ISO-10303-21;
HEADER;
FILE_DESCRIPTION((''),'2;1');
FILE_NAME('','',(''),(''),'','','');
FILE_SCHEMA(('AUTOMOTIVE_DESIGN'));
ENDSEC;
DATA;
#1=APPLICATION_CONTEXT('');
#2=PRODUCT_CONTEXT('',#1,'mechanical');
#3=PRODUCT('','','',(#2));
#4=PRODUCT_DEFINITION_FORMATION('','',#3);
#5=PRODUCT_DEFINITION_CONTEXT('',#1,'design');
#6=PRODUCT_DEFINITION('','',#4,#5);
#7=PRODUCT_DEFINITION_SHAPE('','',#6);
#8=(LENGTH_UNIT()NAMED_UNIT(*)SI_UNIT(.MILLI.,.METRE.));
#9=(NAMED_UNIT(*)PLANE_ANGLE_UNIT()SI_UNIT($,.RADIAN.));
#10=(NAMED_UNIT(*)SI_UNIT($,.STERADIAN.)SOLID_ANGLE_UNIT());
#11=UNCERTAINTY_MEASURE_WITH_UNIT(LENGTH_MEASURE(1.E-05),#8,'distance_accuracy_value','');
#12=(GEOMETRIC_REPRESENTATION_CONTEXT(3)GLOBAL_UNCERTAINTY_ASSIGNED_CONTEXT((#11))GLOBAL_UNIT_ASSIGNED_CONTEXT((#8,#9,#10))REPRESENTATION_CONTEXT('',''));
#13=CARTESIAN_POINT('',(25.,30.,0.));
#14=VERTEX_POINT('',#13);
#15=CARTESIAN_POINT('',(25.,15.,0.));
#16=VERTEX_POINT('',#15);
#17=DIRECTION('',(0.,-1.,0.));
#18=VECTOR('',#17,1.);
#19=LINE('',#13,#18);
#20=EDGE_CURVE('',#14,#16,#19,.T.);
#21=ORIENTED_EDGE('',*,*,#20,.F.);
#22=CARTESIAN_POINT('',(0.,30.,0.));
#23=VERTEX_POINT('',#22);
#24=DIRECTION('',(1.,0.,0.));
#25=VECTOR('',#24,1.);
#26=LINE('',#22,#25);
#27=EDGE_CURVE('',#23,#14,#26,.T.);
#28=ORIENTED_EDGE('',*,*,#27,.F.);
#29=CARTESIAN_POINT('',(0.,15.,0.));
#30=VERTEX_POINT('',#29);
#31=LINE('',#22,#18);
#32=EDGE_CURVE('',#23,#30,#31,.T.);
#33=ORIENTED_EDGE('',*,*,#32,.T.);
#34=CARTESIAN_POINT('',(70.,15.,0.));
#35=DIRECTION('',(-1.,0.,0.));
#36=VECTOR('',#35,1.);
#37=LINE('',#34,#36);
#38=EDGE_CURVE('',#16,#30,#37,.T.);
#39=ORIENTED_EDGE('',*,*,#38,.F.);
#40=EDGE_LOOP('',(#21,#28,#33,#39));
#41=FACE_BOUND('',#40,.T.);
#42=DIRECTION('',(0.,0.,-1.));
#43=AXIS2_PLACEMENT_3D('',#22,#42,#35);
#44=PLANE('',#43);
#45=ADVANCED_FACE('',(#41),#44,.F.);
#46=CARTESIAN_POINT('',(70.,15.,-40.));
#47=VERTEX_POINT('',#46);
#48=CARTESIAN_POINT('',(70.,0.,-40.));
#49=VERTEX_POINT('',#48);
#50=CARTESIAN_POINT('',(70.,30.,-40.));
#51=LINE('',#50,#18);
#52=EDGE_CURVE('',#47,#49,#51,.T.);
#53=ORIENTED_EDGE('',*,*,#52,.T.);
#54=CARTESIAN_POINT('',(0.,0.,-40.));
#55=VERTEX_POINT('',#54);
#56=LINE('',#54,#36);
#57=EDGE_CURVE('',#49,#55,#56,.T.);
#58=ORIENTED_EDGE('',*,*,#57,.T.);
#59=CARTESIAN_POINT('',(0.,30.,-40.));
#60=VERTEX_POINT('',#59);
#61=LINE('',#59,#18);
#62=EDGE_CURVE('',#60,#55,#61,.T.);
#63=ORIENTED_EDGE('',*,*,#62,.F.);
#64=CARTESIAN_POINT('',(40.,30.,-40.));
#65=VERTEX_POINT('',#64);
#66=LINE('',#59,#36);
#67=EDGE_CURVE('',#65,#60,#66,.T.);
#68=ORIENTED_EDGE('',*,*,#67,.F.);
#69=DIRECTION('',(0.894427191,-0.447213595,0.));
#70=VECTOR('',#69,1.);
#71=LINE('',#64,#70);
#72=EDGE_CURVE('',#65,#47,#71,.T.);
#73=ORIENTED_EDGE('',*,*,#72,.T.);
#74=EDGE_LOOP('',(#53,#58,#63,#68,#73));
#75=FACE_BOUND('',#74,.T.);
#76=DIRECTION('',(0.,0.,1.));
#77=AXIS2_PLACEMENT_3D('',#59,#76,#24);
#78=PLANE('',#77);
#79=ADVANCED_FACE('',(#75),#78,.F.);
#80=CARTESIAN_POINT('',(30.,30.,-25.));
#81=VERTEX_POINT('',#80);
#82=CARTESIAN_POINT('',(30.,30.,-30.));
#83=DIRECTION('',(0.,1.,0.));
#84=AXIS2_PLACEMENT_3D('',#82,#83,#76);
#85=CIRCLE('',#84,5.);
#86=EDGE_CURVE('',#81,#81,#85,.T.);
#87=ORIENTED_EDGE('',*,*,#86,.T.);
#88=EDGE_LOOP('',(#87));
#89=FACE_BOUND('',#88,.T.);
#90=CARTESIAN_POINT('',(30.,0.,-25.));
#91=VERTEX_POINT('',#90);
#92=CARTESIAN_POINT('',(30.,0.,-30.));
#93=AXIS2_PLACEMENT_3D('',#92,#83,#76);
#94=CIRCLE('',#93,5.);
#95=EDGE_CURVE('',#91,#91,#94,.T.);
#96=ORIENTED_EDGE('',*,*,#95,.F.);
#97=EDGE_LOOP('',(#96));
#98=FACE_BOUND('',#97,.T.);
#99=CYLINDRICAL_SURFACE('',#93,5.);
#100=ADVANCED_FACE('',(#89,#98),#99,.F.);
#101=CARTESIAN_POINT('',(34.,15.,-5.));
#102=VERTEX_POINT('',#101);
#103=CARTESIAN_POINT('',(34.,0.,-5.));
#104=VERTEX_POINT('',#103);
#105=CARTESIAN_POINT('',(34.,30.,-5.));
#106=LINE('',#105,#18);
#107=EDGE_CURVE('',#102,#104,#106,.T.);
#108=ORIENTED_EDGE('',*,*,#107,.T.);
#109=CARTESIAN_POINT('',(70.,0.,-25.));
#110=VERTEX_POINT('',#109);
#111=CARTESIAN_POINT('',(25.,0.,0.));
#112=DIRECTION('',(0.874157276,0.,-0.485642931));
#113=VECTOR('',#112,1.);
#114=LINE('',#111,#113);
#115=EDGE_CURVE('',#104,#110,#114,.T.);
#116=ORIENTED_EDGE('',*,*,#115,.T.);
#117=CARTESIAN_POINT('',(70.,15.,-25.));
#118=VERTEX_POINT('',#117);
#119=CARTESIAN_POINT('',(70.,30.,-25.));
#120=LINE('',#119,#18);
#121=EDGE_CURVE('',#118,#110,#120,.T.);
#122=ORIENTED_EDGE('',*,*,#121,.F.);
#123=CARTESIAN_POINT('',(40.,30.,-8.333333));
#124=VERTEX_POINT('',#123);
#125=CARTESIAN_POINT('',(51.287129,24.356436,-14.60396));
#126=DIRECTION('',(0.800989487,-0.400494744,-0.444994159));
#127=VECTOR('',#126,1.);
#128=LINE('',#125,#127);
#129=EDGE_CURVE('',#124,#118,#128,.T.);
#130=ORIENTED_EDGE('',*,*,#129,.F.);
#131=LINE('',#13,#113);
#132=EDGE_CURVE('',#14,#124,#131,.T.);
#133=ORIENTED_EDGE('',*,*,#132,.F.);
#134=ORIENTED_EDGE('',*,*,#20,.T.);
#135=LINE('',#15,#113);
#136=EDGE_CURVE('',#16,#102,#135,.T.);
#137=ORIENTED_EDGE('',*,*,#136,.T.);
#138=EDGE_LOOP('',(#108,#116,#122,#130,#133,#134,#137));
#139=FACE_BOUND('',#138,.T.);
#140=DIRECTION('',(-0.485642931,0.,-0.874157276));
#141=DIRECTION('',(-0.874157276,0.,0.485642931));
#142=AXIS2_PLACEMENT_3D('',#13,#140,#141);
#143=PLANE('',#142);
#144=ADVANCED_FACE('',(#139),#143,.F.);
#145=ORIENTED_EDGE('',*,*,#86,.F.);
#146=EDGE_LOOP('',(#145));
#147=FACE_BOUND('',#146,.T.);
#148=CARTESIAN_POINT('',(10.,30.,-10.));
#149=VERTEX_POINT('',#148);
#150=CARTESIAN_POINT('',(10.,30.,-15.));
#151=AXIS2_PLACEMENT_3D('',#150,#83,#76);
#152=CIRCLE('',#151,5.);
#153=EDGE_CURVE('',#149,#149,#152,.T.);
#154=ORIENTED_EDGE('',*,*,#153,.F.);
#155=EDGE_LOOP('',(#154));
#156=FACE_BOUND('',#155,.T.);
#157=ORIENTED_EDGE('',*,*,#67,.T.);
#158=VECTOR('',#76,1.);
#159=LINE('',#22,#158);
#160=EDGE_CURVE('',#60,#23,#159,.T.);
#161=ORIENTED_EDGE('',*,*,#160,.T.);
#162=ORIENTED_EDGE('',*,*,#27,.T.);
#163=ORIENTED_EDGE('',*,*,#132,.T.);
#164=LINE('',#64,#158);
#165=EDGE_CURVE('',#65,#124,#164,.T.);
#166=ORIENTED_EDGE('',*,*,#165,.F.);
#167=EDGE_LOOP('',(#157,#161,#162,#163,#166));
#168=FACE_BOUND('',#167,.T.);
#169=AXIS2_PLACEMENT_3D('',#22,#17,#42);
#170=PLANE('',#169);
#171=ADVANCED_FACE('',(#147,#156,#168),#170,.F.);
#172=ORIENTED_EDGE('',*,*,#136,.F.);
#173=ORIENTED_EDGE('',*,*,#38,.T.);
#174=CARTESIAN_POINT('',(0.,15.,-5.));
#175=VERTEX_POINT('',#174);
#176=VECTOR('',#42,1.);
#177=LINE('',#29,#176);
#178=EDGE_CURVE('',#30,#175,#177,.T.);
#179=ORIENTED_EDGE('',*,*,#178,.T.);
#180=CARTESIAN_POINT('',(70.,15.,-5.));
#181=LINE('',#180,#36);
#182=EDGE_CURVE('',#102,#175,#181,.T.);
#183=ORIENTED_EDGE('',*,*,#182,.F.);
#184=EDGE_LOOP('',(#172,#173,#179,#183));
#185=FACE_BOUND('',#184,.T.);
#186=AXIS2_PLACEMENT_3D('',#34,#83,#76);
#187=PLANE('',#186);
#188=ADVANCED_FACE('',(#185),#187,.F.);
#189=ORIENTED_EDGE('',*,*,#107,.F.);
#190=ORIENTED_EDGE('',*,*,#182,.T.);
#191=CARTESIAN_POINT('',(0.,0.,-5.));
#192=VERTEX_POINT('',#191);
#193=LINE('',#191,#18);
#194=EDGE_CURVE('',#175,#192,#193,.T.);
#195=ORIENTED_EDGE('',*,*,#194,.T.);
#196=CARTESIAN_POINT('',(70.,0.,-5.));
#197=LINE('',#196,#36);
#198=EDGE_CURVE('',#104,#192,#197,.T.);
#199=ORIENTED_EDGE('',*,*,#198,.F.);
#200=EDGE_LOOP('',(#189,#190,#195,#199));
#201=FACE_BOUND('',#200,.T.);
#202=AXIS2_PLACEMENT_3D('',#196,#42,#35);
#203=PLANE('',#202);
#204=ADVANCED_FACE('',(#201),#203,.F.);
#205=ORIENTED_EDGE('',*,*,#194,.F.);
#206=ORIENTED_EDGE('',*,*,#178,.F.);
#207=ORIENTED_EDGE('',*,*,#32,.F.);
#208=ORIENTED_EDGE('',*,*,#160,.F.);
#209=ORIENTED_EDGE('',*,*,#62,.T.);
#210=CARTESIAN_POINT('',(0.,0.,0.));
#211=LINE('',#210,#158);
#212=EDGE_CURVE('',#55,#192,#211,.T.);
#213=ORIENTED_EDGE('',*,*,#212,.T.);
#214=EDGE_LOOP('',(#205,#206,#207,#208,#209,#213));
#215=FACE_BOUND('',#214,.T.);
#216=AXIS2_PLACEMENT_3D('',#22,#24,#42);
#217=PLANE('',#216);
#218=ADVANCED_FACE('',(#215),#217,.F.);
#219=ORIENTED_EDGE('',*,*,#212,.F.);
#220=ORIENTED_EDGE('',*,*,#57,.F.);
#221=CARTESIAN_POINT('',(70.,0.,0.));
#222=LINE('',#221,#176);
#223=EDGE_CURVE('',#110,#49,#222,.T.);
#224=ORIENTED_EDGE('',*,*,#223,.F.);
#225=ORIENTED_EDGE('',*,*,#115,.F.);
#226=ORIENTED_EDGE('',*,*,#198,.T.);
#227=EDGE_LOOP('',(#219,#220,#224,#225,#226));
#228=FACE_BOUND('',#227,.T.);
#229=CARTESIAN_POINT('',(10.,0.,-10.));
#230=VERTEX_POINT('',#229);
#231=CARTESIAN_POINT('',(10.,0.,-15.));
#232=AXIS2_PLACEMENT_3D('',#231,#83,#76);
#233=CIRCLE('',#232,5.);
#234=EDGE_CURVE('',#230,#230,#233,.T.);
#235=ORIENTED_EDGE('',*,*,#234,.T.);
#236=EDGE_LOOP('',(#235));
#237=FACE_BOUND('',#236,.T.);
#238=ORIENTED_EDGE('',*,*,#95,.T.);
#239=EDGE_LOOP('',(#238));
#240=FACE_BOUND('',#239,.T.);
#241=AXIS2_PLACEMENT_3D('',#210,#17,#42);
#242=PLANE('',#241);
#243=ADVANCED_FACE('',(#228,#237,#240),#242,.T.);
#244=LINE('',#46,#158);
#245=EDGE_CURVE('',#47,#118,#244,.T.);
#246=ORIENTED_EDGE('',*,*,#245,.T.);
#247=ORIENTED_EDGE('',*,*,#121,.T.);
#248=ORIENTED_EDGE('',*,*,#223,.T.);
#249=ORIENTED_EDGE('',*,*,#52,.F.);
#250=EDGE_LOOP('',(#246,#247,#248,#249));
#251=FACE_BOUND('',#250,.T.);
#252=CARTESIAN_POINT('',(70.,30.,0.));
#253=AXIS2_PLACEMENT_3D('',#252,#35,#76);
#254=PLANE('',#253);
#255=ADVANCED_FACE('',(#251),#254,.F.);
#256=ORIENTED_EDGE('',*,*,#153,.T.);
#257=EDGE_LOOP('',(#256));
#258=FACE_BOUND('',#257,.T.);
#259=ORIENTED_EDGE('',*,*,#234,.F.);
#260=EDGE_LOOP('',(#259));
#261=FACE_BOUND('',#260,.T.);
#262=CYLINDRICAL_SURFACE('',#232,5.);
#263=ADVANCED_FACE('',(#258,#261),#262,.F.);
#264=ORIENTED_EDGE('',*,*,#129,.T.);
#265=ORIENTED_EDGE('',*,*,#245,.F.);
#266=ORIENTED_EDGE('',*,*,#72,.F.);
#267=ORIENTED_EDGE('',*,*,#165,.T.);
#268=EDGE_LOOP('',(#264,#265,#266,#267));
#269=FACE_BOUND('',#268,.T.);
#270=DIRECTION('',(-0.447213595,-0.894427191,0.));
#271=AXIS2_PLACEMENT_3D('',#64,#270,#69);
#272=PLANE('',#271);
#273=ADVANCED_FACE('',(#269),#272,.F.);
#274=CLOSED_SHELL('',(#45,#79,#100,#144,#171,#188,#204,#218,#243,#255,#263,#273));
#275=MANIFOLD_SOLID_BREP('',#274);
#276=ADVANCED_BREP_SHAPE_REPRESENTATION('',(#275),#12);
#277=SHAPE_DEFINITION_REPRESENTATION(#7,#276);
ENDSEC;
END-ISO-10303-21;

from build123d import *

# Parameters (mm, degrees)
SKETCH1_W           = 70
SKETCH1_H           = 40
BOSS_EXTRUDE1_DEPTH = 30
CUT_EXTRUDE1_DEPTH  = 41
CUT_EXTRUDE2_DEPTH  = 31
SKETCH5_W           = 5
SKETCH5_H           = 15
CUT_EXTRUDE3_DEPTH  = 71
SKETCH6_R           = 5
CUT_EXTRUDE4_DEPTH  = 31
SKETCH7_R           = 5
CUT_EXTRUDE5_DEPTH  = 31


with BuildPart() as part:
    # Sketch1 → Boss-Extrude1 (new body)
    with BuildSketch(Plane(origin=(0, 0, 0), x_dir=(1, 0, 0), z_dir=(0, 1, 0))):
        with Locations((35, 20)):
            Rectangle(SKETCH1_W, SKETCH1_H)
    extrude(amount=BOSS_EXTRUDE1_DEPTH)

    # Sketch2 → Cut-Extrude1 (cut, through all)
    with BuildSketch(Plane.XY):
        Polygon((70, 30), (40, 30), (70, 15), align=None)
    extrude(amount=-CUT_EXTRUDE1_DEPTH, mode=Mode.SUBTRACT)

    # Sketch4 → Cut-Extrude2 (cut, through all)
    with BuildSketch(Plane(origin=(0, 0, 0), x_dir=(-1, 0, 0), z_dir=(0, -1, 0))):
        Polygon((-25, 0), (-70, 25), (-70, 0), align=None)
    extrude(amount=-CUT_EXTRUDE2_DEPTH, mode=Mode.SUBTRACT)

    # Sketch5 → Cut-Extrude3 (cut, through all)
    with BuildSketch(Plane.ZY):
        with Locations((-2.5, 7.5)):
            Rectangle(SKETCH5_W, SKETCH5_H)
    extrude(amount=-CUT_EXTRUDE3_DEPTH, mode=Mode.SUBTRACT)

    # Sketch6 → Cut-Extrude4 (cut, through all)
    with BuildSketch(Plane(origin=(0, 30, 0), x_dir=(1, 0, 0), z_dir=(0, 1, 0))):
        with Locations((10, 15)):
            Circle(SKETCH6_R)
    extrude(amount=-CUT_EXTRUDE4_DEPTH, mode=Mode.SUBTRACT)

    # Sketch7 → Cut-Extrude5 (cut, through all)
    with BuildSketch(Plane(origin=(0, 30, 0), x_dir=(1, 0, 0), z_dir=(0, 1, 0))):
        with Locations((30, 30)):
            Circle(SKETCH7_R)
    extrude(amount=-CUT_EXTRUDE5_DEPTH, mode=Mode.SUBTRACT)


solid = part.part
